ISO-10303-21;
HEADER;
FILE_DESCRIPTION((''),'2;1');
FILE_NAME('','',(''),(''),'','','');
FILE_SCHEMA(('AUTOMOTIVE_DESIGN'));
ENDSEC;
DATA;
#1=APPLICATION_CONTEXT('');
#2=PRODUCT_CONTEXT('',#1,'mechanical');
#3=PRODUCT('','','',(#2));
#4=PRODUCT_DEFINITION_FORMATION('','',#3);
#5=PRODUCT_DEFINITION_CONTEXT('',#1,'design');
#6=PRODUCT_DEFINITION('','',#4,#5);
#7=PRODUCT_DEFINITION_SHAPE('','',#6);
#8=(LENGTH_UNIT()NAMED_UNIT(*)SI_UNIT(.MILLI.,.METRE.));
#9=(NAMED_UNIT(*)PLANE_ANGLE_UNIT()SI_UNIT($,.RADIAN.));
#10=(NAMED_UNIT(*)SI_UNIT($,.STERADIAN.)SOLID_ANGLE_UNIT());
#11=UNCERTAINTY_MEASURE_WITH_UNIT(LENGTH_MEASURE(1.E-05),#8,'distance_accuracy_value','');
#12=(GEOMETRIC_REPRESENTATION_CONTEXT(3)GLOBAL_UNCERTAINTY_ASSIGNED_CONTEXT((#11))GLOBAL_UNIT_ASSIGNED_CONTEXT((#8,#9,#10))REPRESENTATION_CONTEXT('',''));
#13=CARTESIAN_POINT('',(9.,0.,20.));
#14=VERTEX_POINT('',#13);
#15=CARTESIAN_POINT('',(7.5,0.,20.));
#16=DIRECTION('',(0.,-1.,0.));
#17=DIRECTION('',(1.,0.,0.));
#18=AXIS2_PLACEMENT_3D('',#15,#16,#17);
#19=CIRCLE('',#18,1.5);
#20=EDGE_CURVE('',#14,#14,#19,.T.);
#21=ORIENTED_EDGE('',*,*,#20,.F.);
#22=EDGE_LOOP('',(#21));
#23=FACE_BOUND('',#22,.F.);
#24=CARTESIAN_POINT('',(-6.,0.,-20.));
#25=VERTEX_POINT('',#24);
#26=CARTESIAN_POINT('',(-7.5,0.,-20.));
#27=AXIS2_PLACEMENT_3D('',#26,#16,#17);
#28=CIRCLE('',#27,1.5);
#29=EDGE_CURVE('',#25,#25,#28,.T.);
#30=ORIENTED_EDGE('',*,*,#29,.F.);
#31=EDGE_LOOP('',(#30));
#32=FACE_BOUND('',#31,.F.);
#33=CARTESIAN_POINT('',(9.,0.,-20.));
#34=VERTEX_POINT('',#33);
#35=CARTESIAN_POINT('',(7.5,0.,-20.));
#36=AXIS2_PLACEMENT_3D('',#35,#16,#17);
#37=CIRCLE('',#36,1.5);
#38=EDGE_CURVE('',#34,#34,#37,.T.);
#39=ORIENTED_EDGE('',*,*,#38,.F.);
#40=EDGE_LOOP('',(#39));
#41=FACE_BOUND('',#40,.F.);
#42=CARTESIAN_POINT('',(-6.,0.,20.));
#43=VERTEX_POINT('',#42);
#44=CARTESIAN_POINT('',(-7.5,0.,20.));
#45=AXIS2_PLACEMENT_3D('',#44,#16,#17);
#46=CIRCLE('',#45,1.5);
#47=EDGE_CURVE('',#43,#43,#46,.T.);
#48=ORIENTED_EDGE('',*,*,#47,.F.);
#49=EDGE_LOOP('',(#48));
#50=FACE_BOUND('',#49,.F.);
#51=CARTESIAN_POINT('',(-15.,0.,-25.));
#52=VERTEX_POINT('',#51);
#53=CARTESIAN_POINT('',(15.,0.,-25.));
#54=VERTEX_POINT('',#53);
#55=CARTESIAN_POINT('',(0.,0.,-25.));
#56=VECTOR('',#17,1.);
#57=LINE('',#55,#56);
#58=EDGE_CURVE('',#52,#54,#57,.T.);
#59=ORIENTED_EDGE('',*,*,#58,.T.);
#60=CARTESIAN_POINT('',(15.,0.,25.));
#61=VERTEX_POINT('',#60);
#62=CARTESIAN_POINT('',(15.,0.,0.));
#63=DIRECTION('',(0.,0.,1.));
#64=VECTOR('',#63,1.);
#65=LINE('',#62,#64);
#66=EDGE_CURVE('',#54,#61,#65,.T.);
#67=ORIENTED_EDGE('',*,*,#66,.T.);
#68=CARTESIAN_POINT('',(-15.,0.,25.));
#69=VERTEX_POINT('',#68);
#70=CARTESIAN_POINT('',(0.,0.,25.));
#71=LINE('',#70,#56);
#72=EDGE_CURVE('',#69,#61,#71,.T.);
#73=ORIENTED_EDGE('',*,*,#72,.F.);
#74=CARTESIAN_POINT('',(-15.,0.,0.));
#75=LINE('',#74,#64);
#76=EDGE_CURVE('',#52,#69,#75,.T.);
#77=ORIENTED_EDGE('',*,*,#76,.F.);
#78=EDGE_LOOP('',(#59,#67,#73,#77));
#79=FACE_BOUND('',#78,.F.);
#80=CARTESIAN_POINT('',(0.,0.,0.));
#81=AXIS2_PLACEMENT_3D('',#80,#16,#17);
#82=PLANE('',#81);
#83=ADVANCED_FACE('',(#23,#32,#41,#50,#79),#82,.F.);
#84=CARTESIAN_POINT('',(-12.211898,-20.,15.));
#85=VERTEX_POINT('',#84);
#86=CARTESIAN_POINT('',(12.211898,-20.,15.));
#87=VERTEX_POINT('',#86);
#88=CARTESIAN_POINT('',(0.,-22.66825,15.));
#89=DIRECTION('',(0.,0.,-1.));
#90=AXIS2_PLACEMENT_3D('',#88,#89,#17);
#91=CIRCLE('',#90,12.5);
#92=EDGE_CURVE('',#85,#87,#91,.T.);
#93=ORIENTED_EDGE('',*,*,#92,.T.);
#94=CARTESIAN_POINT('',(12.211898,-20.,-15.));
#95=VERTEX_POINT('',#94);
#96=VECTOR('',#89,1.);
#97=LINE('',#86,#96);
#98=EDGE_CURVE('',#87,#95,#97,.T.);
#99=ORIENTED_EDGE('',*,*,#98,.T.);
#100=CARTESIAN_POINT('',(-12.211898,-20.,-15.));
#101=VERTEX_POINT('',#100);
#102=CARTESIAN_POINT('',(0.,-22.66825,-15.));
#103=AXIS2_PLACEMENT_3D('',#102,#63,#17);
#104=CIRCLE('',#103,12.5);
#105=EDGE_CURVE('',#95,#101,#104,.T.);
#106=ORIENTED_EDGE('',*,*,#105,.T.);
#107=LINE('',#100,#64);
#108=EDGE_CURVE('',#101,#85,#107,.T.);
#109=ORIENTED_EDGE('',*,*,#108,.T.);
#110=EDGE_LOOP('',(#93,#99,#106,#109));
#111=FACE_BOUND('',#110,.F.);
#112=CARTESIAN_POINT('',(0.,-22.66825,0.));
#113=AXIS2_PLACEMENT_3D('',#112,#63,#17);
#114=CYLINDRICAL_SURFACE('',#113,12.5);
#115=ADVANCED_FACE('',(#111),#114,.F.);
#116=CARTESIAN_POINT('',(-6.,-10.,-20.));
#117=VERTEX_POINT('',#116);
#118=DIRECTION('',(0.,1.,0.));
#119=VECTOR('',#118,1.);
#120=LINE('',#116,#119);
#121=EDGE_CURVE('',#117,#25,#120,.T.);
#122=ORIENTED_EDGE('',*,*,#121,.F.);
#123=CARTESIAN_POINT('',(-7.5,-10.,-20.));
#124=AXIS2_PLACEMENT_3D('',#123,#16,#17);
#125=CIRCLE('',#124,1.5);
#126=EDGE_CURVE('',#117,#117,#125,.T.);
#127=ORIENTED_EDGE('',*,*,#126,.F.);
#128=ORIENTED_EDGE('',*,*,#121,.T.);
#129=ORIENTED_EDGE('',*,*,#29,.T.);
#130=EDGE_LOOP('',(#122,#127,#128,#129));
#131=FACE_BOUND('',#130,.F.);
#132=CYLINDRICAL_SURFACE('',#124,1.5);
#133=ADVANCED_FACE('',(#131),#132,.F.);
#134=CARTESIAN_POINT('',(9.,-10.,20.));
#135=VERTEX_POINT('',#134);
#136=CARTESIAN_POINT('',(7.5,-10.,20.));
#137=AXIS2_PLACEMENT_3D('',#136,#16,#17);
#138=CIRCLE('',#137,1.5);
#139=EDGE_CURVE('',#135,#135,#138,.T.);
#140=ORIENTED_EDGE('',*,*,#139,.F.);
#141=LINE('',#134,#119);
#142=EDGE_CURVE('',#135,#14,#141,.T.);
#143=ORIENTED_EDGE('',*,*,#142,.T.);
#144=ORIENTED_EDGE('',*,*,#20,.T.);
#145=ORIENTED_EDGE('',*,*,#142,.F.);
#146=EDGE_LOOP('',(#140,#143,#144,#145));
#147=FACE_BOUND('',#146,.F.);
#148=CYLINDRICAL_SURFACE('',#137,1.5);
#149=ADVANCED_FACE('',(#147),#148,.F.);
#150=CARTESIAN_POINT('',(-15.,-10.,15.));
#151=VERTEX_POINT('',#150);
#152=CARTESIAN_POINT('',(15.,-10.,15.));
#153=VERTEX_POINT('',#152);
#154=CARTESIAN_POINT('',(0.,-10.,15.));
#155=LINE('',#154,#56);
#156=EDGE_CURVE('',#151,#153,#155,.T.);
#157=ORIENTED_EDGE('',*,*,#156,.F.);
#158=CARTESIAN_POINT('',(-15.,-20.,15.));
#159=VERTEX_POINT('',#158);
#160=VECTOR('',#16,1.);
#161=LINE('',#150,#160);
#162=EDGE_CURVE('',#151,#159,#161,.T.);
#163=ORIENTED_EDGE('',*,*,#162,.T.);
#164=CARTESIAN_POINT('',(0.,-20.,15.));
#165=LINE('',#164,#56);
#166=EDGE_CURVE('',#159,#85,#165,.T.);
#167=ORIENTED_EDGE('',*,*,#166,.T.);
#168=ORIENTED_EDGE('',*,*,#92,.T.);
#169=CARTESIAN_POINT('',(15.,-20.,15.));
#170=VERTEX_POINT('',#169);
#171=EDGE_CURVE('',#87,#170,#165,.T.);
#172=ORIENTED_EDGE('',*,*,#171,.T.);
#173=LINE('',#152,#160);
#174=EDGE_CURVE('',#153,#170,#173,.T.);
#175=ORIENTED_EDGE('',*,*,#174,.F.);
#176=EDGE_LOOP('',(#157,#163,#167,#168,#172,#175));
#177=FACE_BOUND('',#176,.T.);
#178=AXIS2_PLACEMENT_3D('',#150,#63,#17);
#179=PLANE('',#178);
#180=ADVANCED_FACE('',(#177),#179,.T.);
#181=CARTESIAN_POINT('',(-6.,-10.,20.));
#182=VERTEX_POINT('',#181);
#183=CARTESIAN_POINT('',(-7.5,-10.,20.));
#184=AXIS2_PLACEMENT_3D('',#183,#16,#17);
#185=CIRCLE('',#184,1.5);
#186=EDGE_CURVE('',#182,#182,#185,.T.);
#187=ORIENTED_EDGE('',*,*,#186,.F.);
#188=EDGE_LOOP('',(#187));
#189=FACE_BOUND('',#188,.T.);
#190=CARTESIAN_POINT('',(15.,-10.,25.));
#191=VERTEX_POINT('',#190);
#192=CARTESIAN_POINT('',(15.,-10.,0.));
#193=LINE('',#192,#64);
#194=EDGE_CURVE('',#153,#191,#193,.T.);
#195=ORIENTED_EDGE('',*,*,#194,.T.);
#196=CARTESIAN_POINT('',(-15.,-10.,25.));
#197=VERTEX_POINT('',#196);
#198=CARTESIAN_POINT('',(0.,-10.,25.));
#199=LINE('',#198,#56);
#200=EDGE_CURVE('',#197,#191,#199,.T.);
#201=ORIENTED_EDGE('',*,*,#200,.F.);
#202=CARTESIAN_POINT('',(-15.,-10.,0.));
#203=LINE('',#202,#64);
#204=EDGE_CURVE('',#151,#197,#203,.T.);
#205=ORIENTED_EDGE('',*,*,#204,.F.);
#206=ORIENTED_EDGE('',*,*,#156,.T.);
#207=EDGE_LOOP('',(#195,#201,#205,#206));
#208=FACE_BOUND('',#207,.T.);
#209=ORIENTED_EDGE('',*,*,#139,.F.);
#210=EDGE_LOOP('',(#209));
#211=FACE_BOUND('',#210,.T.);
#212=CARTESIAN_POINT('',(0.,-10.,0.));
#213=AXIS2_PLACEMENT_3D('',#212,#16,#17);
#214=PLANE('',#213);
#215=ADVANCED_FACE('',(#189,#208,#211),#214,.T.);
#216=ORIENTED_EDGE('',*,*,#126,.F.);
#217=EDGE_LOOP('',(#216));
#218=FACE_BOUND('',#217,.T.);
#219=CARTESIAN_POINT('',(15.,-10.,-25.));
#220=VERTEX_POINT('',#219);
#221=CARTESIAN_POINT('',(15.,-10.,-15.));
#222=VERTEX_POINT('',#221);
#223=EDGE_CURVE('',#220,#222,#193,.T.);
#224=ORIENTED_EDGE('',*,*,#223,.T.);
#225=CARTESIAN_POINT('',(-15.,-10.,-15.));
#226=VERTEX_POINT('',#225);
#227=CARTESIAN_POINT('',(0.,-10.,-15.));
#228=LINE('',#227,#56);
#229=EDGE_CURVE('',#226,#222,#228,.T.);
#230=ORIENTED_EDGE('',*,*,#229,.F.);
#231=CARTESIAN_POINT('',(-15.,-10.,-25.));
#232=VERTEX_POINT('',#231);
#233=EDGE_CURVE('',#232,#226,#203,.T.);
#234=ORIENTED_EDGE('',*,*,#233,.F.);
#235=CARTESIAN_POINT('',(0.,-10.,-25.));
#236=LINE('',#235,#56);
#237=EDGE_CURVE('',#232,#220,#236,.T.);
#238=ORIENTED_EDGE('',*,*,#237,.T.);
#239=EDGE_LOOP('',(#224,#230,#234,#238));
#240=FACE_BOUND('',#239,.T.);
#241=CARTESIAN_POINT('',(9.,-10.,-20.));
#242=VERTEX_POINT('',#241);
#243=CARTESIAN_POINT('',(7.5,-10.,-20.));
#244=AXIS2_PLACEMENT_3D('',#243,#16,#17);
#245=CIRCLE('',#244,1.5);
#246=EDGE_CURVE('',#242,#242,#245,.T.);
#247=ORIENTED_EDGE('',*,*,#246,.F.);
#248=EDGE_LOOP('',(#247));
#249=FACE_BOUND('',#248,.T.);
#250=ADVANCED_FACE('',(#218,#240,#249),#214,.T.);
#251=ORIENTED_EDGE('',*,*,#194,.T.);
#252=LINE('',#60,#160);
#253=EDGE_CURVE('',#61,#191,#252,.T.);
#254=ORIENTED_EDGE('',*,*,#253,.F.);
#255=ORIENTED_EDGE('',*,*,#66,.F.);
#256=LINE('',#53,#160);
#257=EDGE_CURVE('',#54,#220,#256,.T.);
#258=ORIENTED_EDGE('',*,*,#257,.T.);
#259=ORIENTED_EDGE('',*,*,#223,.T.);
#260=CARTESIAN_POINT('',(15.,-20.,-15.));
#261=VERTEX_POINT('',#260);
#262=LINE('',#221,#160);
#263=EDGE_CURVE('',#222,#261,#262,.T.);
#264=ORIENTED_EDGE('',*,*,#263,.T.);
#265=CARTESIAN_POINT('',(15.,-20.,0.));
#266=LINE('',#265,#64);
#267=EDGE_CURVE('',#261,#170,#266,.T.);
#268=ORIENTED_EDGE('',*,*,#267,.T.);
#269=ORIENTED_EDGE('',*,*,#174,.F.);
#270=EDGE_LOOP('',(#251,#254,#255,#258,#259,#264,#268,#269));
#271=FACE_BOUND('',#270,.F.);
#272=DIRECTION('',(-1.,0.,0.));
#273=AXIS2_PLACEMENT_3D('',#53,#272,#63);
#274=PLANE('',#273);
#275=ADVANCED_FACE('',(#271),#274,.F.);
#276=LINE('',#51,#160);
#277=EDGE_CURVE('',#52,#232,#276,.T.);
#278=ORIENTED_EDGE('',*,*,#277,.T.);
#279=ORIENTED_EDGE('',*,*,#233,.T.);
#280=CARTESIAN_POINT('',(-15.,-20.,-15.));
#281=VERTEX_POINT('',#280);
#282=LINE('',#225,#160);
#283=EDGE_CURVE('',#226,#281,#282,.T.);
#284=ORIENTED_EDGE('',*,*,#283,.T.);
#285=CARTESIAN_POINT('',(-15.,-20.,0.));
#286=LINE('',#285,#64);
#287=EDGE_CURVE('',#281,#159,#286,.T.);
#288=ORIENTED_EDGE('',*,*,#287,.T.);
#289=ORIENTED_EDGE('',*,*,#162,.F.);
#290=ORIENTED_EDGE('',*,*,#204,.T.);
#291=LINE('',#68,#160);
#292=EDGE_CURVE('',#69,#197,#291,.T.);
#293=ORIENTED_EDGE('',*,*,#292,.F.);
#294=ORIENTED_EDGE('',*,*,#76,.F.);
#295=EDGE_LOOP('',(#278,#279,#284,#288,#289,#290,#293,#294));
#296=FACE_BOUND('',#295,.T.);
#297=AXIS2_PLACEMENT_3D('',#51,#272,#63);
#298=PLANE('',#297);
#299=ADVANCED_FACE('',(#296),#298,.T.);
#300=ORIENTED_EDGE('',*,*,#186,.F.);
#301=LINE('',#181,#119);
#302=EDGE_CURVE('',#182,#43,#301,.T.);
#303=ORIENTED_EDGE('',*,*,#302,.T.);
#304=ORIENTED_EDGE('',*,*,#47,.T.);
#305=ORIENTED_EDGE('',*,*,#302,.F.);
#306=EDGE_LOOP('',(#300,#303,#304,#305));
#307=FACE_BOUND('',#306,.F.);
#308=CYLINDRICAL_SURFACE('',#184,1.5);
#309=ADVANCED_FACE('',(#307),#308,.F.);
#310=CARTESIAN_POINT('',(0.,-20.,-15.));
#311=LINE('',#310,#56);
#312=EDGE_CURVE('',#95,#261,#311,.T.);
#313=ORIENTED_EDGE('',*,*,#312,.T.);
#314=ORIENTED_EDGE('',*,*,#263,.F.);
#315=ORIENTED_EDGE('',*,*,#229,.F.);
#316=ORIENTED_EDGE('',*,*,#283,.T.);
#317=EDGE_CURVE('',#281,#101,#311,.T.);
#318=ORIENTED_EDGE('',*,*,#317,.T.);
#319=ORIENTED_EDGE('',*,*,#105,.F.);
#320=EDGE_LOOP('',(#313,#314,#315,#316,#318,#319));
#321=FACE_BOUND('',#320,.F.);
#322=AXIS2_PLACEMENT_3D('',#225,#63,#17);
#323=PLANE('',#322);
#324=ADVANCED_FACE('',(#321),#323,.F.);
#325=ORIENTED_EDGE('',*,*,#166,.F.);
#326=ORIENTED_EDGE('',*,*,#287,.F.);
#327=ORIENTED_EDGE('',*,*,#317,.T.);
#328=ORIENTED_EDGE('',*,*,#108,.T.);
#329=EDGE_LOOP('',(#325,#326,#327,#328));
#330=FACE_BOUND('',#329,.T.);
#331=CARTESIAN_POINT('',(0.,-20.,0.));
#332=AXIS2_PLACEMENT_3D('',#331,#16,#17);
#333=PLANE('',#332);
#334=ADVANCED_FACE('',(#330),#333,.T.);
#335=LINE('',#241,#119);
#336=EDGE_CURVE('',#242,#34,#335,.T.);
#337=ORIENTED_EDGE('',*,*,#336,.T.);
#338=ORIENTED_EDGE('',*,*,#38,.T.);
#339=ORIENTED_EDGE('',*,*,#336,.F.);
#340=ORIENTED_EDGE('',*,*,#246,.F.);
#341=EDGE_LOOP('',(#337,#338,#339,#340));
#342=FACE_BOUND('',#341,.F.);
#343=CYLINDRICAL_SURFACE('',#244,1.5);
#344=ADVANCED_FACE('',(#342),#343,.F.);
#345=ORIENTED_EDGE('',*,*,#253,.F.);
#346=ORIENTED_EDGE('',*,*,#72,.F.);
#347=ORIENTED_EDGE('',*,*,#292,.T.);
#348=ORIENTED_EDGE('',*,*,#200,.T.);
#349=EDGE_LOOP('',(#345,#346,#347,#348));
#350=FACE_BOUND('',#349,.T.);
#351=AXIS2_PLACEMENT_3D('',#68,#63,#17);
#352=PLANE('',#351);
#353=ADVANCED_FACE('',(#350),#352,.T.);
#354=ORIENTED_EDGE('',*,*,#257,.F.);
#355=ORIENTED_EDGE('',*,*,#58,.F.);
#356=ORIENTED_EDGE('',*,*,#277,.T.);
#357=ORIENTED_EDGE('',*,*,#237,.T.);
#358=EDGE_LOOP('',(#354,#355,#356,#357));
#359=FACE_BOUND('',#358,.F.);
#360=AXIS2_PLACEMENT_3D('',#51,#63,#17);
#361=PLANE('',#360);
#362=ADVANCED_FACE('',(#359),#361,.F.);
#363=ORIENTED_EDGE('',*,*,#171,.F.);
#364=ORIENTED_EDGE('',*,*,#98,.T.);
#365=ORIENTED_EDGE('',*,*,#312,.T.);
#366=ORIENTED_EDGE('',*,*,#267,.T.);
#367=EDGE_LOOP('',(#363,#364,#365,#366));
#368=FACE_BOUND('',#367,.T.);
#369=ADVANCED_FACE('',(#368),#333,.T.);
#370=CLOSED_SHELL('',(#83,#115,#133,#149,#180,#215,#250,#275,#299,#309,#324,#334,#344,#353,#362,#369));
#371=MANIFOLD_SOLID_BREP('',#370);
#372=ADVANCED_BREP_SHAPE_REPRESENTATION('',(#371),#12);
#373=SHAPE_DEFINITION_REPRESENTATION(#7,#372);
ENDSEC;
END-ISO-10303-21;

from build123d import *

# Parameters (mm, degrees)
F0_W     = 30
F0_H     = 50
F1_DEPTH = 10
F2_R     = 1.5
F3_DEPTH = 10.001
F4_W     = 30
F4_H     = 30
F5_DEPTH = 10
F6_R     = 12.5
F7_DEPTH = 25.001
F8_DEPTH = 25.001


with BuildPart() as f1:
    # F0 (on Front) → F1 (new body)
    with BuildSketch(Plane.XZ):
        Rectangle(F0_W, F0_H)
    extrude(amount=F1_DEPTH)

    # F2 (on face) → F3 (cut, through all)
    with BuildSketch(Plane.XZ.offset(10)):
        with Locations((7.5, -20)):
            Circle(F2_R)
        with Locations((-7.5, -20)):
            Circle(F2_R)
        with Locations((7.5, 20)):
            Circle(F2_R)
        with Locations((-7.5, 20)):
            Circle(F2_R)
    extrude(amount=-F3_DEPTH, mode=Mode.SUBTRACT)

    # F4 (on face) → F5 (join)
    with BuildSketch(Plane.XZ.offset(10)):
        Rectangle(F4_W, F4_H)
    extrude(amount=F5_DEPTH)

    # F6 (on Top) → F7 (cut, through all)
    with BuildSketch(Plane.XY):
        with Locations((0, -22.66825)):
            Circle(F6_R)
    extrude(amount=-F7_DEPTH, mode=Mode.SUBTRACT)

    # F6 (on Top) → F8 (cut, through all)
    with BuildSketch(Plane.XY):
        with Locations((0, -22.66825)):
            Circle(F6_R)
    extrude(amount=F8_DEPTH, mode=Mode.SUBTRACT)


solid = f1.part
